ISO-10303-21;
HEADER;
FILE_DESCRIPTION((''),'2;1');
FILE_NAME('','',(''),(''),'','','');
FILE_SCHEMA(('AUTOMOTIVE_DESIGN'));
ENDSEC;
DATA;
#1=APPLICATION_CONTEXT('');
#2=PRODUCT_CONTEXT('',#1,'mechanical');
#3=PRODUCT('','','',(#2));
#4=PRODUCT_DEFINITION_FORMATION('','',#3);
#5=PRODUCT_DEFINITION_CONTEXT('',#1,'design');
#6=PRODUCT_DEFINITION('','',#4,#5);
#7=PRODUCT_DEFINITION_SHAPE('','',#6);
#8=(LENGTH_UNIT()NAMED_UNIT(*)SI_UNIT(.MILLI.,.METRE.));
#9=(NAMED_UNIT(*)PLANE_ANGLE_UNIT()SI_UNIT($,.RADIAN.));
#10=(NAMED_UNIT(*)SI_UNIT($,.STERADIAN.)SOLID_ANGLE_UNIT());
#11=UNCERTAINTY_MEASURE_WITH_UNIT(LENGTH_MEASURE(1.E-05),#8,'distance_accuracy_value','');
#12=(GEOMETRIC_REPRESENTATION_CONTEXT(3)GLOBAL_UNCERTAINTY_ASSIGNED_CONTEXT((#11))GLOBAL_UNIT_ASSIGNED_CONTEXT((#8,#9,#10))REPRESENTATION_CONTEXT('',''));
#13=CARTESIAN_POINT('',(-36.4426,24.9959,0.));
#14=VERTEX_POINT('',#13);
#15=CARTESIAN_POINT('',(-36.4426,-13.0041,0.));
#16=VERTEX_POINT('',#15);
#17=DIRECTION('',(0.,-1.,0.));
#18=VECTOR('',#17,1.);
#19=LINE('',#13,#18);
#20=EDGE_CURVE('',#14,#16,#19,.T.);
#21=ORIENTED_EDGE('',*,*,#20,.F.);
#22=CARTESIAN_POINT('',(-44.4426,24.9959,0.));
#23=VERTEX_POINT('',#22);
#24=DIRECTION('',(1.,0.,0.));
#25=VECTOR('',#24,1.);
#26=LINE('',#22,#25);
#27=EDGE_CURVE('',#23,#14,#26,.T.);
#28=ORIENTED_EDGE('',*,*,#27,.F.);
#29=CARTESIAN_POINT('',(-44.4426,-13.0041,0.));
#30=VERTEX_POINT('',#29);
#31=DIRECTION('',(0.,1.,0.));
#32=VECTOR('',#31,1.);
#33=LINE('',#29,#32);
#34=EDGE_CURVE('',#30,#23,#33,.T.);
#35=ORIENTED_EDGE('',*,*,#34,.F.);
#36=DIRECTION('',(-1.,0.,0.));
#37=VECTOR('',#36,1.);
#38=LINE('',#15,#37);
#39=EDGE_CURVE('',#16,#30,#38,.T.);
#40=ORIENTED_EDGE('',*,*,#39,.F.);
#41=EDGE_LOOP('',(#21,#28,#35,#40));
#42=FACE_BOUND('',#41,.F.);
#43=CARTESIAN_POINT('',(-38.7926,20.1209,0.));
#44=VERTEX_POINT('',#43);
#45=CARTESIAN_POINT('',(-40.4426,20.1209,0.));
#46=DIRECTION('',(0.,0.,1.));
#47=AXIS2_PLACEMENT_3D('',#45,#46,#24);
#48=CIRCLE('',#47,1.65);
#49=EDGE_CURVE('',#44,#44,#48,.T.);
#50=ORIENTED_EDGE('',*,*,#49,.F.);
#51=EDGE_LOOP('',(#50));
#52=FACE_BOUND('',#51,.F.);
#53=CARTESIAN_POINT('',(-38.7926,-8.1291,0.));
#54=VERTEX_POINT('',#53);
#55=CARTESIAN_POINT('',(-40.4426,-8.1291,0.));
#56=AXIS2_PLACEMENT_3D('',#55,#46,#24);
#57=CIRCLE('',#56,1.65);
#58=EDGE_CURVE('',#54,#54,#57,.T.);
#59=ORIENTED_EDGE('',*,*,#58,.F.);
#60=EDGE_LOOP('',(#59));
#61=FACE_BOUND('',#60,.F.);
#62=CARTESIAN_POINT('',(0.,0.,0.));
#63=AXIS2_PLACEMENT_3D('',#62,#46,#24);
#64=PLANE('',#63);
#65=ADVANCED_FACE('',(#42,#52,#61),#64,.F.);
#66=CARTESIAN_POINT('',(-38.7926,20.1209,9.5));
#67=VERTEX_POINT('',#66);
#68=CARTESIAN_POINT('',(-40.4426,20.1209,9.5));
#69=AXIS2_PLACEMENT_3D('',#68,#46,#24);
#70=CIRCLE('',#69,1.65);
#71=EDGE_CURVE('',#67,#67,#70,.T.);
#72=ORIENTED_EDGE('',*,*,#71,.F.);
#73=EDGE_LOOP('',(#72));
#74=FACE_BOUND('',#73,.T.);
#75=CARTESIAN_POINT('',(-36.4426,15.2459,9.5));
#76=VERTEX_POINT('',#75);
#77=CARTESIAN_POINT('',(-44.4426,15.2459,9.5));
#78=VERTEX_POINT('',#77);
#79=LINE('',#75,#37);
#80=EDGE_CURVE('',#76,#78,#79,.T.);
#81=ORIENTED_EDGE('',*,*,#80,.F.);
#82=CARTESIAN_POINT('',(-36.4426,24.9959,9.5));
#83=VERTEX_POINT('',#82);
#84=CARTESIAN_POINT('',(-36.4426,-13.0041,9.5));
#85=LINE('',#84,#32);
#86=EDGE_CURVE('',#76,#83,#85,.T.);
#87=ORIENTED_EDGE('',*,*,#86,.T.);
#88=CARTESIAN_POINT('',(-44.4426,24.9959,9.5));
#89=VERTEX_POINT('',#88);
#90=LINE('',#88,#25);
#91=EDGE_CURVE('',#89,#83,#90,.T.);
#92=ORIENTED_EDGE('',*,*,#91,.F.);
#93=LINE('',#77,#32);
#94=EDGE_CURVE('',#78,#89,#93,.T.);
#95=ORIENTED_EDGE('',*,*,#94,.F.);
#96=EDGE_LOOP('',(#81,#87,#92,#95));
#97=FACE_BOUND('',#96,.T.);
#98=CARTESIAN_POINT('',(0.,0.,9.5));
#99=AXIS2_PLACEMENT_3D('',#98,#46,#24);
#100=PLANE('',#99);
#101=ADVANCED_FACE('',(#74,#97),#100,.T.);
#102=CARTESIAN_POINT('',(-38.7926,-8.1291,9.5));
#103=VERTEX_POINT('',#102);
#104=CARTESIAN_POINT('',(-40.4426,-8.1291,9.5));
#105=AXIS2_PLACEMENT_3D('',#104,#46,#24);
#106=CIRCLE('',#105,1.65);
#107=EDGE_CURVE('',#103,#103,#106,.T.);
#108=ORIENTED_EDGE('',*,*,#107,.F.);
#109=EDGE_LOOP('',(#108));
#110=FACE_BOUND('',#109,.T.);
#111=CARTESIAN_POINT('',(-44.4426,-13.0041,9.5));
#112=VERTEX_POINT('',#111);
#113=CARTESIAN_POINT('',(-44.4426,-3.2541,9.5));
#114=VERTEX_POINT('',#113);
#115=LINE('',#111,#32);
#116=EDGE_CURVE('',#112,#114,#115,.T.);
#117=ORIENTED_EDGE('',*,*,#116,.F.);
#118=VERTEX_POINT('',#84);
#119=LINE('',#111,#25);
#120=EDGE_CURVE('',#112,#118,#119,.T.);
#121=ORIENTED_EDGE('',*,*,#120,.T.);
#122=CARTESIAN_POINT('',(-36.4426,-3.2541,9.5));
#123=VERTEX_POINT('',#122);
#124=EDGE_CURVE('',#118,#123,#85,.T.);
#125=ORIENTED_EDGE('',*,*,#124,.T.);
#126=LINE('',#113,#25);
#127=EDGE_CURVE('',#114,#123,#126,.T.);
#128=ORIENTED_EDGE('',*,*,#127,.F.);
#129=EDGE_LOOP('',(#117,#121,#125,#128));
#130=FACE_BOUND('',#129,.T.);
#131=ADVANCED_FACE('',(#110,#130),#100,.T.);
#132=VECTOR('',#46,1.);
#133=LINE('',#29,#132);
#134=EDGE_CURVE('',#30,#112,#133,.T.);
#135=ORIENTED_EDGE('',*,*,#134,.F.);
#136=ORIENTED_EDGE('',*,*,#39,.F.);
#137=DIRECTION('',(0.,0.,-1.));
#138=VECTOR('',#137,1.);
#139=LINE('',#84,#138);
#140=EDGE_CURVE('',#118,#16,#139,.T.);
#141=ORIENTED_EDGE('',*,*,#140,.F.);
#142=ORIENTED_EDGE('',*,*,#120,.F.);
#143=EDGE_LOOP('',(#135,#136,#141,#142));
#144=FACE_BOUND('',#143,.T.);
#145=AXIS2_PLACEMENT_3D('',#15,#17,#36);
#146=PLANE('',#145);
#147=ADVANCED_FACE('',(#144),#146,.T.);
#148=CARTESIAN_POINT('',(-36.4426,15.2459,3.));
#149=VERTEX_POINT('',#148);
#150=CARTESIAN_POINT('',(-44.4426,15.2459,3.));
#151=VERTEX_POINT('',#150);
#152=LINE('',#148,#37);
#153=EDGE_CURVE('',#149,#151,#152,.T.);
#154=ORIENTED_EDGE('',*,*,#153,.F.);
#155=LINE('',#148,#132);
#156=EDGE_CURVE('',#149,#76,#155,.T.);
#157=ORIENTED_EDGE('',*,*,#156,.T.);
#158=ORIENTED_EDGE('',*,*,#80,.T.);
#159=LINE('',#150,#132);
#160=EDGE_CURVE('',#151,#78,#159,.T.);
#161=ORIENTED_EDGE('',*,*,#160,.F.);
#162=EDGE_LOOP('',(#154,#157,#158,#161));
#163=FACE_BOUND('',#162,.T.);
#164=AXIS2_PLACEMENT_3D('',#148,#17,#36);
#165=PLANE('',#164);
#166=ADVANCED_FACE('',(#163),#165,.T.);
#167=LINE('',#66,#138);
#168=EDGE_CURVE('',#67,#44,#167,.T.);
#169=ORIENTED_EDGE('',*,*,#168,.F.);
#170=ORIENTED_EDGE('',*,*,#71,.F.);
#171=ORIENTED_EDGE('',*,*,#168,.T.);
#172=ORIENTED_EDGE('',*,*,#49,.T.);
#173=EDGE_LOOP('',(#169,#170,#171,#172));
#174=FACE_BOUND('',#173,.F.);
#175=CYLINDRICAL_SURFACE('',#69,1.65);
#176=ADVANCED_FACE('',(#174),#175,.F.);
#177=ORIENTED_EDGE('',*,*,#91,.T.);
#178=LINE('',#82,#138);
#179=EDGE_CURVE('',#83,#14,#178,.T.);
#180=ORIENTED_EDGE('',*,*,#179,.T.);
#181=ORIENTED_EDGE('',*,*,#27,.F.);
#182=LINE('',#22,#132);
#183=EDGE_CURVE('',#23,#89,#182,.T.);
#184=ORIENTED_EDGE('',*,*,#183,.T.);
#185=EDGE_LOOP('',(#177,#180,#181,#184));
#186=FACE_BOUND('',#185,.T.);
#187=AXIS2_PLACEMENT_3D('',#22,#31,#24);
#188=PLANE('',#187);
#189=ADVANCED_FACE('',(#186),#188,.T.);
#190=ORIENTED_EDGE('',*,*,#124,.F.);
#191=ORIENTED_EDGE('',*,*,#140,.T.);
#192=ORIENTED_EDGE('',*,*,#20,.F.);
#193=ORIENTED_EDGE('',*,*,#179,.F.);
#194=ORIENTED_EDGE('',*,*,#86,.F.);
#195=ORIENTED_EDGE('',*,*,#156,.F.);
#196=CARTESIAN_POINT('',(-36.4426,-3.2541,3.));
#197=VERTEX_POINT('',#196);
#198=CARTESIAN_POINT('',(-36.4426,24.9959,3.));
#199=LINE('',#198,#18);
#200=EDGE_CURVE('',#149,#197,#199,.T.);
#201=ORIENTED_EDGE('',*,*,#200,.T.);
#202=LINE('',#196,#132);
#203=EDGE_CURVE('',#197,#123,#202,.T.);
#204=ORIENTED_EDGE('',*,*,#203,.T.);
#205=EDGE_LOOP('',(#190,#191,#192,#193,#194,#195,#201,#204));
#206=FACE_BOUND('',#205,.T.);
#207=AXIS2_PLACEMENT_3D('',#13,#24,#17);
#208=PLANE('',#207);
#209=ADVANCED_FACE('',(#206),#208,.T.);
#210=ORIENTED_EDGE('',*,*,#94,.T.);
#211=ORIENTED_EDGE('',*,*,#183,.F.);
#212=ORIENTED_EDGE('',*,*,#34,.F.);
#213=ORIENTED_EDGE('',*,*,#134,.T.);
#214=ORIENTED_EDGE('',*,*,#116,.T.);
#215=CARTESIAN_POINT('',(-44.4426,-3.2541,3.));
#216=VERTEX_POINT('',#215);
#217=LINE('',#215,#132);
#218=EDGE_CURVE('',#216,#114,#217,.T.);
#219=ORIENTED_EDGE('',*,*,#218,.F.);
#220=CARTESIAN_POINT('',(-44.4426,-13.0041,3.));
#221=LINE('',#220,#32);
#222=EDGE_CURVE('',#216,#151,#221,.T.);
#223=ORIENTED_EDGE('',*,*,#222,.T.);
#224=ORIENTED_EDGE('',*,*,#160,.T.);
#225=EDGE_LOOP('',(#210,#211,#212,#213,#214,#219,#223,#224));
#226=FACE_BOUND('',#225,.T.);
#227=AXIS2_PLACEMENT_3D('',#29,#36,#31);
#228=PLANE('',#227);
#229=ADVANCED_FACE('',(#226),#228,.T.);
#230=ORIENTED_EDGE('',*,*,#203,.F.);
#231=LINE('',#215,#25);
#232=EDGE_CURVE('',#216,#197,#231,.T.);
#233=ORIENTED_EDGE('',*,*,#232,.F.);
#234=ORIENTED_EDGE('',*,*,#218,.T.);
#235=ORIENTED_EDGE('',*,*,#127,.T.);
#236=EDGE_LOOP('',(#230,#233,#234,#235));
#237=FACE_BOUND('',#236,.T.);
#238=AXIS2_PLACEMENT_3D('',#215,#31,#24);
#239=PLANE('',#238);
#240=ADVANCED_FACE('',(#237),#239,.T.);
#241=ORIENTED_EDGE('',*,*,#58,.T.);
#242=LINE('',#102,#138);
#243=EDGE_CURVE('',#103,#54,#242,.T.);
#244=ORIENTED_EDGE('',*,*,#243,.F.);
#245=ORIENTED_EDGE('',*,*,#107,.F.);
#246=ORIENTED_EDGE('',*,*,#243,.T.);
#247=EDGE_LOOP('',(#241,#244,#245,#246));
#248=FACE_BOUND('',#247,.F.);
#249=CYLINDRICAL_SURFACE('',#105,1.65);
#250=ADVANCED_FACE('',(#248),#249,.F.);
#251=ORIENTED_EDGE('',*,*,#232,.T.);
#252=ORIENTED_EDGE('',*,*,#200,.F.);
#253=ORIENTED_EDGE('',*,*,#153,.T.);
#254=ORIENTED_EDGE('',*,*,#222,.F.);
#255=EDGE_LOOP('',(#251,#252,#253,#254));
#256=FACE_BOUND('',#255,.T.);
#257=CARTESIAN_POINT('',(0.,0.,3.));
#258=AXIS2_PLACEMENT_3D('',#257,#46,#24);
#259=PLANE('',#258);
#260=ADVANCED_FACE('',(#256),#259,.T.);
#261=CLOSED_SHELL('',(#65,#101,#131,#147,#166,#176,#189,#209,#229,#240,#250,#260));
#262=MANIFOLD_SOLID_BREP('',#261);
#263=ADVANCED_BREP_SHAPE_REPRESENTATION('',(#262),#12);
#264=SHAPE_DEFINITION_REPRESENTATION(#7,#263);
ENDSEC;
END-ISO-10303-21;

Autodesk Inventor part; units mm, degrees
ref_plane "YZ Plane" through (0, 0, 0) normal (1, 0, 0) x (0, 1, 0)
ref_plane "XZ Plane" through (0, 0, 0) normal (0, 1, 0) x (-1, 0, 0)
ref_plane "XY Plane" through (0, 0, 0) normal (0, 0, 1) x (1, 0, 0)
sketch "Sketch1" plane through (0, 0, 0) normal (0, 0, 1) x (1, 0, 0)
  line L0 (-44.4426, 24.9959) -> (-36.4426, 24.9959)
  line L1 (-36.4426, 24.9959) -> (-36.4426, -13.0041)
  line L2 (-36.4426, -13.0041) -> (-44.4426, -13.0041)
  line L3 (-44.4426, -13.0041) -> (-44.4426, 24.9959)
  point P0 (0, 0)
  dimension "d0" = 38
  dimension "d2" = 8
extrude "Extrusion1" add sketch "Sketch1" along normal blind 3
sketch "Sketch2" plane through (0, 0, 3) normal (0, 0, 1) x (1, 0, 0)
  line L0 (-44.4426, 24.9959) -> (-44.4426, -13.0041) construction
  line L1 (-44.4426, -13.0041) -> (-36.4426, -13.0041) projected
  line L2 (-36.4426, -13.0041) -> (-36.4426, 24.9959) projected
  line L3 (-44.4426, 24.9959) -> (-36.4426, 24.9959)
  line L4 (-36.4426, 24.9959) -> (-36.4426, 15.2459)
  line L5 (-36.4426, 15.2459) -> (-44.4426, 15.2459)
  line L6 (-44.4426, 15.2459) -> (-44.4426, 24.9959)
  line L7 (-36.4426, -13.0041) -> (-44.4426, -13.0041)
  line L8 (-44.4426, -13.0041) -> (-44.4426, -3.2541)
  line L9 (-44.4426, -3.2541) -> (-36.4426, -3.2541)
  line L10 (-36.4426, -3.2541) -> (-36.4426, -13.0041)
  point P0 (0, 0)
  dimension "d5" = 9.75
  dimension "d7" = 9.75
extrude "Extrusion2" add sketch "Sketch2" along normal blind 6.5
sketch "Sketch3" plane through (0, 0, 9.5) normal (0, 0, 1) x (1, 0, 0)
  line L0 (-36.4426, -13.0041) -> (-36.4426, -3.2541) projected
  line L1 (-36.4426, -3.2541) -> (-44.4426, -3.2541) projected
  line L2 (-44.4426, -3.2541) -> (-44.4426, -13.0041) projected
  line L3 (-44.4426, -13.0041) -> (-36.4426, -13.0041) projected
  line L4 (-36.4426, 24.9959) -> (-44.4426, 15.2459) construction
  line L5 (-36.4426, -3.2541) -> (-44.4426, -13.0041) construction
  circle A0 centre (-40.4426, 20.1209) radius 1.65
  circle A1 centre (-40.4426, -8.1291) radius 1.65
  point P0 (0, 0)
  dimension "d10" = 3.3
extrude "Extrusion3" cut sketch "Sketch3" against normal through all contours A0 | A1
properties part number "Pump clamp MM0312"
